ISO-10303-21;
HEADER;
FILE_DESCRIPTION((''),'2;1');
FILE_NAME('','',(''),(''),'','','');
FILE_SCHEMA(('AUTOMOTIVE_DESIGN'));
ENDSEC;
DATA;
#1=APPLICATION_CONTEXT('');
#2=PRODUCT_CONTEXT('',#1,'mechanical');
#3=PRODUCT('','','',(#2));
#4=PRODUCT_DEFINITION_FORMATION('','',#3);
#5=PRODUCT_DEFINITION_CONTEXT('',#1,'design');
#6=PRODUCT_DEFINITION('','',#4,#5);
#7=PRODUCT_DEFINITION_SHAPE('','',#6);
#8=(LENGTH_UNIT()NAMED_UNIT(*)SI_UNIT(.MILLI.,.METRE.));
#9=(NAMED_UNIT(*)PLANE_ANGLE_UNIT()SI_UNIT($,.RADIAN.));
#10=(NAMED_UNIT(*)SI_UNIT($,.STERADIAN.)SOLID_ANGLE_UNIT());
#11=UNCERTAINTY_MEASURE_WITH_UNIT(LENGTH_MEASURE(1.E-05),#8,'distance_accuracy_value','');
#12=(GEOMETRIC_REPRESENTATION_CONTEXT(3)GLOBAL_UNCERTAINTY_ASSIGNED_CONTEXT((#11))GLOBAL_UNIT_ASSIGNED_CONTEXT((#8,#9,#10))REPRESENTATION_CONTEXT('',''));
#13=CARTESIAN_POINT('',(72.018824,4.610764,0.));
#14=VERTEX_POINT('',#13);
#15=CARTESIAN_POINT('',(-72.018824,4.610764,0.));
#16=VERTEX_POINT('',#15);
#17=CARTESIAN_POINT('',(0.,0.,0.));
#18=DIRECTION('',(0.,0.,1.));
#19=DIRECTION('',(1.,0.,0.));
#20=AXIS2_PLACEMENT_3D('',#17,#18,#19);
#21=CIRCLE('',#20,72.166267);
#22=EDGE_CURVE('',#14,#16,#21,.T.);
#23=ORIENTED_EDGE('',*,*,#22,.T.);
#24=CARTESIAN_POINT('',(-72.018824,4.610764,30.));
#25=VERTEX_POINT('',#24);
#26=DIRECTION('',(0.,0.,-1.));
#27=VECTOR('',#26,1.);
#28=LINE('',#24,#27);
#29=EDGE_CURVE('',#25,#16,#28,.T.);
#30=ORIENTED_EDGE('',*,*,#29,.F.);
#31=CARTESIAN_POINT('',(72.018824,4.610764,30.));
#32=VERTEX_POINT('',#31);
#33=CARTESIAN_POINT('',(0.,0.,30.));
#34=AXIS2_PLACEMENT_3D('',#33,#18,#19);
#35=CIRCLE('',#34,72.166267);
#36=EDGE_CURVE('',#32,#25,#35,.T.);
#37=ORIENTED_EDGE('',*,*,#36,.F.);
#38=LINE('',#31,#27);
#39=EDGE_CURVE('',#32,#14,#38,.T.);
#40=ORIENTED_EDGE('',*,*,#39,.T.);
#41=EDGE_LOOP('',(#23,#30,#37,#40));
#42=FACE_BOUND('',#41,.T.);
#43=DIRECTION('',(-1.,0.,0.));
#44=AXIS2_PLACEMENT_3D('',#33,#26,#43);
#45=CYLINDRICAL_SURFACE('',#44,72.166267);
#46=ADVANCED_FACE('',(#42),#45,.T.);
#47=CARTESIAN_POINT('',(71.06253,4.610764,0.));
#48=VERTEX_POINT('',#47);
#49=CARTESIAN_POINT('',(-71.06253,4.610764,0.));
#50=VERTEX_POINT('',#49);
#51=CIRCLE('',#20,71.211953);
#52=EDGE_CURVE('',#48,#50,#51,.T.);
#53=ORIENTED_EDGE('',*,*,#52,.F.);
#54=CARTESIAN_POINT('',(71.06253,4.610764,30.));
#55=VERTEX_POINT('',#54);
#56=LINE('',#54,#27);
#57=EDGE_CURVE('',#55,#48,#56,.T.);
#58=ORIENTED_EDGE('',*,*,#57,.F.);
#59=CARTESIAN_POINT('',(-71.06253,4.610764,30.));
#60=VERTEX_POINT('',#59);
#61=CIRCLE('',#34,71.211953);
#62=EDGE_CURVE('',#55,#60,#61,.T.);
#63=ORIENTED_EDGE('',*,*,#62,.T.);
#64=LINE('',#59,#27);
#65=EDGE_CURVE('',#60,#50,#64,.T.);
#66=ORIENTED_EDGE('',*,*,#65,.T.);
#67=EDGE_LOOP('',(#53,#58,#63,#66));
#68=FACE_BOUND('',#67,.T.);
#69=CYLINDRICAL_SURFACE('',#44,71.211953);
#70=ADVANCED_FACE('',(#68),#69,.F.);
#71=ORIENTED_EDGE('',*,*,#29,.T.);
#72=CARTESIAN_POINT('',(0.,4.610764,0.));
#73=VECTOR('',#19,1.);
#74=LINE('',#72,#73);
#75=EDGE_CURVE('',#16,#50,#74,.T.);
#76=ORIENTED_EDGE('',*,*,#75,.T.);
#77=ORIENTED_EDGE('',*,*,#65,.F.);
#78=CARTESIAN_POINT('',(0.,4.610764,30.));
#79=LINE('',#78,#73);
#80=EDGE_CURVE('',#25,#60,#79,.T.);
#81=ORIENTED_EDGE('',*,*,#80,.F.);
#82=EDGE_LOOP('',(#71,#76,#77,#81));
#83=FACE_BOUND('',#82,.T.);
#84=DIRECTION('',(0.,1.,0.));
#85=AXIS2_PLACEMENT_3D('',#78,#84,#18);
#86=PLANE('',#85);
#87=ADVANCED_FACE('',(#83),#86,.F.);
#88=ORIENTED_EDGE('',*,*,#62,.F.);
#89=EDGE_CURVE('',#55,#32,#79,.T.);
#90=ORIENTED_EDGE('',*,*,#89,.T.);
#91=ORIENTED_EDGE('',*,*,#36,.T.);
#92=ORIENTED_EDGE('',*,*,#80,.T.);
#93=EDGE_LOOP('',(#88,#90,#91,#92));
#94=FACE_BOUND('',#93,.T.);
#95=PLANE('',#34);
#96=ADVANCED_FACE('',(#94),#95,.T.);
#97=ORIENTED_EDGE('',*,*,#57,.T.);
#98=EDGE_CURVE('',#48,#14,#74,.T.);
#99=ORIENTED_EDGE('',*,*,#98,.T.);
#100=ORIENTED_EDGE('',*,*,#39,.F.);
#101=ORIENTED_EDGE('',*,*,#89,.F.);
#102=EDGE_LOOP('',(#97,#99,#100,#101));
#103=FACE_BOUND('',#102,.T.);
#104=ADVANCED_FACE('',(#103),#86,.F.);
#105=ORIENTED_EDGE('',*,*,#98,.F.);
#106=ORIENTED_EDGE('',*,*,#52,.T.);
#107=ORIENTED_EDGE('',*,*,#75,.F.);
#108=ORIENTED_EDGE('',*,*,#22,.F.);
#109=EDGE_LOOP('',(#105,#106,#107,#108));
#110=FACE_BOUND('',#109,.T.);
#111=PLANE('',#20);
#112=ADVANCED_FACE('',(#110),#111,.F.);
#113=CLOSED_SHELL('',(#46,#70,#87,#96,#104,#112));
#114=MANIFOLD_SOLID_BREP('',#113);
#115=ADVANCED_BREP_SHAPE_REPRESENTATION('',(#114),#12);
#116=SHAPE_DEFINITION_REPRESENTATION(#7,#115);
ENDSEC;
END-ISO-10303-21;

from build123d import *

# Parameters (mm, degrees)
BOSS_EXTRUDE1_DEPTH = 30


with BuildPart() as part:
    # Sketch1 → Boss-Extrude1 (new body)
    with BuildSketch(Plane.XY):
        with BuildLine():
            ThreePointArc((72.018823772, 4.610764133), (0, 72.166267212), (-72.018823772, 4.610764133))
            Line((-72.018823772, 4.610764133), (-71.062529975, 4.610764133))
            ThreePointArc((-71.062529975, 4.610764133), (0, 71.211953437), (71.062529975, 4.610764133))
            Line((71.062529975, 4.610764133), (72.018823772, 4.610764133))
        make_face()
    extrude(amount=BOSS_EXTRUDE1_DEPTH)


solid = part.part
